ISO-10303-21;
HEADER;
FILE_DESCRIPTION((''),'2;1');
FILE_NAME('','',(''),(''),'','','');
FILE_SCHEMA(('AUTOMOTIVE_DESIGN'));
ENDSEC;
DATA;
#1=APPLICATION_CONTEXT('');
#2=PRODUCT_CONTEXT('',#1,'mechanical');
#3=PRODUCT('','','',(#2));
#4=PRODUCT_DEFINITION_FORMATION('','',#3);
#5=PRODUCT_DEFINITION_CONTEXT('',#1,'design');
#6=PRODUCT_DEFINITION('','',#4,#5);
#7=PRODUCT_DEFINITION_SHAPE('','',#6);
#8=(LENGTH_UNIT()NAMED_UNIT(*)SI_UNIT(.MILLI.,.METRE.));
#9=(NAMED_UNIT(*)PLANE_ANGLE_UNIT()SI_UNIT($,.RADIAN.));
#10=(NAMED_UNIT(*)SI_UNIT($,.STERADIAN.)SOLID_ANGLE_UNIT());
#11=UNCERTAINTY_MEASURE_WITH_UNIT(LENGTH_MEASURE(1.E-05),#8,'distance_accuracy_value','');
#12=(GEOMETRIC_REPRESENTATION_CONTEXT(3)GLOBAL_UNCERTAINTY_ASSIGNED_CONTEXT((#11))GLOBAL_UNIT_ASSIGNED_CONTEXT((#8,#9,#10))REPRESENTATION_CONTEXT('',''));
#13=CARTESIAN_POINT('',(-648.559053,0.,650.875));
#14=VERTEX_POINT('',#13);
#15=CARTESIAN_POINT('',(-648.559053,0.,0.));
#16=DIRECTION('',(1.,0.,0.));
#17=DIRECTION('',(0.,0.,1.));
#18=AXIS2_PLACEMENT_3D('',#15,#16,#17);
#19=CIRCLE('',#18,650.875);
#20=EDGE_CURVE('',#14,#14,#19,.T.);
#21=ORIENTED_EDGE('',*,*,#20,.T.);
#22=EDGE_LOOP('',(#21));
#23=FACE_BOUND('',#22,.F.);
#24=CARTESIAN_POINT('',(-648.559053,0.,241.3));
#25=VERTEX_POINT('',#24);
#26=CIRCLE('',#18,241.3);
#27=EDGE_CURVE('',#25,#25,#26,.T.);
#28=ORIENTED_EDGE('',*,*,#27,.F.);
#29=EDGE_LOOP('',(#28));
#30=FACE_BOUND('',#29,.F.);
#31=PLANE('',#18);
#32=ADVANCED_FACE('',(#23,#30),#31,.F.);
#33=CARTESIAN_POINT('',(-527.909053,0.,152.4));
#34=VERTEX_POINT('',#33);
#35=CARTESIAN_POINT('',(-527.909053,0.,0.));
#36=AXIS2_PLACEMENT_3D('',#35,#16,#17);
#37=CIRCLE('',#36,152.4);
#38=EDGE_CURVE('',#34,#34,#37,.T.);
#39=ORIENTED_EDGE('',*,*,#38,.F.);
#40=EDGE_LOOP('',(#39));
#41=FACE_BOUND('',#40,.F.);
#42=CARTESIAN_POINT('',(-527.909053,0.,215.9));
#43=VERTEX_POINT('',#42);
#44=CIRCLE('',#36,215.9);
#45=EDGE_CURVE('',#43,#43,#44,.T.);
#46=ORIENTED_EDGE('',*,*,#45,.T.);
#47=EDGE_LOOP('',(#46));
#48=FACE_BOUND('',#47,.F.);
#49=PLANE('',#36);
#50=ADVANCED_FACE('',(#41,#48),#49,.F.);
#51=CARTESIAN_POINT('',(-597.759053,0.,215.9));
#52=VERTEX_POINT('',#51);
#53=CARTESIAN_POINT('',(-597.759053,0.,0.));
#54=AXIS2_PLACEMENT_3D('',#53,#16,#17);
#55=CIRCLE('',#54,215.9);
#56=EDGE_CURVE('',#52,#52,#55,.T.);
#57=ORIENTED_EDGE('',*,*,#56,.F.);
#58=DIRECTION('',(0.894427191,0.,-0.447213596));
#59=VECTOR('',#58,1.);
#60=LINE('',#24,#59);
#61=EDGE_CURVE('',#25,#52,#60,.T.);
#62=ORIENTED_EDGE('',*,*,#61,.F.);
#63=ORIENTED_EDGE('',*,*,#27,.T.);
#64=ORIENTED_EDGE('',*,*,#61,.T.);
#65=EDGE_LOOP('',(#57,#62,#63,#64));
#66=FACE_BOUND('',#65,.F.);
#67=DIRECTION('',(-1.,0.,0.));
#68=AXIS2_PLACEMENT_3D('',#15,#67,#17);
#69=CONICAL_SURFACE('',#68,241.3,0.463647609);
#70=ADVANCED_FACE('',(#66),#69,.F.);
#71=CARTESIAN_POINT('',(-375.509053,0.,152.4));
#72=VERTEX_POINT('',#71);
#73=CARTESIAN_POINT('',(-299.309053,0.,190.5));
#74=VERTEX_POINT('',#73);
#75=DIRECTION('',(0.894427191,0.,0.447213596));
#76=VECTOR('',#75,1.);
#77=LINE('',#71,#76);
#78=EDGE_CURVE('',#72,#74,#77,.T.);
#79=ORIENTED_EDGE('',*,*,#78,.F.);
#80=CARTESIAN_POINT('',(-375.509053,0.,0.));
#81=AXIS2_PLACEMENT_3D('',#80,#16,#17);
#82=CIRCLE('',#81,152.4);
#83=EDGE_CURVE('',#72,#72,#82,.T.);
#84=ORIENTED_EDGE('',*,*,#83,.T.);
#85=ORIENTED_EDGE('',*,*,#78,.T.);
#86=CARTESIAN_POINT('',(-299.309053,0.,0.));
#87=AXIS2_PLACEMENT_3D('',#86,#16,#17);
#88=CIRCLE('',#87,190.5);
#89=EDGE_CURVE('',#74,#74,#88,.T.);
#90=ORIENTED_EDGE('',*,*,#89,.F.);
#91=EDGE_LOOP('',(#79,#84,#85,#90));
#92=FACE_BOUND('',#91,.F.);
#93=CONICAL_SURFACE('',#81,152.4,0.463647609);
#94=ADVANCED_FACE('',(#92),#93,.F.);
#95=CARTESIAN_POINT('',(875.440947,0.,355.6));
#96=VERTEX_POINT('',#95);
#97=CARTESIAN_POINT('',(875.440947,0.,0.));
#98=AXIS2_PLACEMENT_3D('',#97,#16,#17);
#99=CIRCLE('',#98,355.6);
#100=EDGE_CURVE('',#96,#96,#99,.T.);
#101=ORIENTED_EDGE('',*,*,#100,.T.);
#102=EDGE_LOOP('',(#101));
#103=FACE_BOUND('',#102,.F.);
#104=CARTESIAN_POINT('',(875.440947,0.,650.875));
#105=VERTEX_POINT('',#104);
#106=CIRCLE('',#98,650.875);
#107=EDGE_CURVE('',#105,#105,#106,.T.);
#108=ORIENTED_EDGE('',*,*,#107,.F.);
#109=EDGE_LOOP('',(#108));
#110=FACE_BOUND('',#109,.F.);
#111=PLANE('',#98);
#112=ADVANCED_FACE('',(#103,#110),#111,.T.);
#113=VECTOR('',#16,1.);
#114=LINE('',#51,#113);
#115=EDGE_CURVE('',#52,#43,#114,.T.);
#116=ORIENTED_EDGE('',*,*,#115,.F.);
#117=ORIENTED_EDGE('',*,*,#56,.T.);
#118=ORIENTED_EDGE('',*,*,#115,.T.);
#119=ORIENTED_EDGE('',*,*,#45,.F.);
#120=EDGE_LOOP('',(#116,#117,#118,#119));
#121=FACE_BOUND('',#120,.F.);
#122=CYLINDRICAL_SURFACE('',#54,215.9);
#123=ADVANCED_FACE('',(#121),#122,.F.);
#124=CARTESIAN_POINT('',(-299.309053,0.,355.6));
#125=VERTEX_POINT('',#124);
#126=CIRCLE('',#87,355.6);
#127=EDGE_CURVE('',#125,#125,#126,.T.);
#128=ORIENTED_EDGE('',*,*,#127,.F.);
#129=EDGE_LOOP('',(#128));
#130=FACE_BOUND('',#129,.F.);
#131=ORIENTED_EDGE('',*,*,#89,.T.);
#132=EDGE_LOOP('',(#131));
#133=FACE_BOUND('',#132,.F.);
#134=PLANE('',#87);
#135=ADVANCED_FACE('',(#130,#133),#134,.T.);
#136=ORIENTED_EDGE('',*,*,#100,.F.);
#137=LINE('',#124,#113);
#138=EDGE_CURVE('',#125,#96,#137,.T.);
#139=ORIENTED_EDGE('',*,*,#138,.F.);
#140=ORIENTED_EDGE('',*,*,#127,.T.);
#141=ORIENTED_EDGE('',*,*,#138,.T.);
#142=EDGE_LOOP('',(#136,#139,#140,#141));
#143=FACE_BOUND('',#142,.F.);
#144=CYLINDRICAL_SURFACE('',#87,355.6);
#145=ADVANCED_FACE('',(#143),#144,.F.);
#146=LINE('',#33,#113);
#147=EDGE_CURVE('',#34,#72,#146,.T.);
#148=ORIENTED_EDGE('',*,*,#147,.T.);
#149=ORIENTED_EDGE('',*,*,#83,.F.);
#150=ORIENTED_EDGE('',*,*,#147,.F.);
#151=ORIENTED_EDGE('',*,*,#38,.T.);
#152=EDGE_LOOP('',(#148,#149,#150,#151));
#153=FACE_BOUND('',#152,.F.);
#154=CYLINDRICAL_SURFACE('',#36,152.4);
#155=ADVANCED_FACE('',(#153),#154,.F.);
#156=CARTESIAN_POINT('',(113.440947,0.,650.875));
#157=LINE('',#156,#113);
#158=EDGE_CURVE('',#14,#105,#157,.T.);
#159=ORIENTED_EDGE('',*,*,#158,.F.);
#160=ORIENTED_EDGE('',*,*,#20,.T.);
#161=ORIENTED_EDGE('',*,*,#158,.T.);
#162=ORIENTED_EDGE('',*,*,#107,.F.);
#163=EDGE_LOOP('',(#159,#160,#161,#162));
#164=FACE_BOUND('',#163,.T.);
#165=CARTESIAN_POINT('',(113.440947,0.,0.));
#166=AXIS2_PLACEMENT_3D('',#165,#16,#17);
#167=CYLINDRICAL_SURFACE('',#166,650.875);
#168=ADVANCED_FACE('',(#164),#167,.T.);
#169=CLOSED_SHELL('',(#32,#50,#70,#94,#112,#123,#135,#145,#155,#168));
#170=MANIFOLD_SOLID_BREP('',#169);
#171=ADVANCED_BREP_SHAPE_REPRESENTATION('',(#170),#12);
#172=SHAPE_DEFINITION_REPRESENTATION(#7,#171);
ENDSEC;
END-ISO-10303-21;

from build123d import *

# Parameters (mm, degrees)
F0_W = 1524
F0_H = 180.975


with BuildPart() as f1:
    # F0 (on Front) → F1 (revolve)
    with BuildSketch(Plane.XZ):
        Polygon((875.440947, 469.9), (-648.559053, 469.9), (-648.559053, 241.3), (-597.759053, 215.9), (-527.909053, 215.9), (-527.909053, 152.4), (-375.509053, 152.4), (-299.309053, 190.5), (-299.309053, 355.6), (875.440947, 355.6), align=None)
        with Locations((113.440947, 560.3875)):
            Rectangle(F0_W, F0_H)
    revolve(axis=Axis((113.440947, 0, 0), (1, 0, 0)))


solid = f1.part
